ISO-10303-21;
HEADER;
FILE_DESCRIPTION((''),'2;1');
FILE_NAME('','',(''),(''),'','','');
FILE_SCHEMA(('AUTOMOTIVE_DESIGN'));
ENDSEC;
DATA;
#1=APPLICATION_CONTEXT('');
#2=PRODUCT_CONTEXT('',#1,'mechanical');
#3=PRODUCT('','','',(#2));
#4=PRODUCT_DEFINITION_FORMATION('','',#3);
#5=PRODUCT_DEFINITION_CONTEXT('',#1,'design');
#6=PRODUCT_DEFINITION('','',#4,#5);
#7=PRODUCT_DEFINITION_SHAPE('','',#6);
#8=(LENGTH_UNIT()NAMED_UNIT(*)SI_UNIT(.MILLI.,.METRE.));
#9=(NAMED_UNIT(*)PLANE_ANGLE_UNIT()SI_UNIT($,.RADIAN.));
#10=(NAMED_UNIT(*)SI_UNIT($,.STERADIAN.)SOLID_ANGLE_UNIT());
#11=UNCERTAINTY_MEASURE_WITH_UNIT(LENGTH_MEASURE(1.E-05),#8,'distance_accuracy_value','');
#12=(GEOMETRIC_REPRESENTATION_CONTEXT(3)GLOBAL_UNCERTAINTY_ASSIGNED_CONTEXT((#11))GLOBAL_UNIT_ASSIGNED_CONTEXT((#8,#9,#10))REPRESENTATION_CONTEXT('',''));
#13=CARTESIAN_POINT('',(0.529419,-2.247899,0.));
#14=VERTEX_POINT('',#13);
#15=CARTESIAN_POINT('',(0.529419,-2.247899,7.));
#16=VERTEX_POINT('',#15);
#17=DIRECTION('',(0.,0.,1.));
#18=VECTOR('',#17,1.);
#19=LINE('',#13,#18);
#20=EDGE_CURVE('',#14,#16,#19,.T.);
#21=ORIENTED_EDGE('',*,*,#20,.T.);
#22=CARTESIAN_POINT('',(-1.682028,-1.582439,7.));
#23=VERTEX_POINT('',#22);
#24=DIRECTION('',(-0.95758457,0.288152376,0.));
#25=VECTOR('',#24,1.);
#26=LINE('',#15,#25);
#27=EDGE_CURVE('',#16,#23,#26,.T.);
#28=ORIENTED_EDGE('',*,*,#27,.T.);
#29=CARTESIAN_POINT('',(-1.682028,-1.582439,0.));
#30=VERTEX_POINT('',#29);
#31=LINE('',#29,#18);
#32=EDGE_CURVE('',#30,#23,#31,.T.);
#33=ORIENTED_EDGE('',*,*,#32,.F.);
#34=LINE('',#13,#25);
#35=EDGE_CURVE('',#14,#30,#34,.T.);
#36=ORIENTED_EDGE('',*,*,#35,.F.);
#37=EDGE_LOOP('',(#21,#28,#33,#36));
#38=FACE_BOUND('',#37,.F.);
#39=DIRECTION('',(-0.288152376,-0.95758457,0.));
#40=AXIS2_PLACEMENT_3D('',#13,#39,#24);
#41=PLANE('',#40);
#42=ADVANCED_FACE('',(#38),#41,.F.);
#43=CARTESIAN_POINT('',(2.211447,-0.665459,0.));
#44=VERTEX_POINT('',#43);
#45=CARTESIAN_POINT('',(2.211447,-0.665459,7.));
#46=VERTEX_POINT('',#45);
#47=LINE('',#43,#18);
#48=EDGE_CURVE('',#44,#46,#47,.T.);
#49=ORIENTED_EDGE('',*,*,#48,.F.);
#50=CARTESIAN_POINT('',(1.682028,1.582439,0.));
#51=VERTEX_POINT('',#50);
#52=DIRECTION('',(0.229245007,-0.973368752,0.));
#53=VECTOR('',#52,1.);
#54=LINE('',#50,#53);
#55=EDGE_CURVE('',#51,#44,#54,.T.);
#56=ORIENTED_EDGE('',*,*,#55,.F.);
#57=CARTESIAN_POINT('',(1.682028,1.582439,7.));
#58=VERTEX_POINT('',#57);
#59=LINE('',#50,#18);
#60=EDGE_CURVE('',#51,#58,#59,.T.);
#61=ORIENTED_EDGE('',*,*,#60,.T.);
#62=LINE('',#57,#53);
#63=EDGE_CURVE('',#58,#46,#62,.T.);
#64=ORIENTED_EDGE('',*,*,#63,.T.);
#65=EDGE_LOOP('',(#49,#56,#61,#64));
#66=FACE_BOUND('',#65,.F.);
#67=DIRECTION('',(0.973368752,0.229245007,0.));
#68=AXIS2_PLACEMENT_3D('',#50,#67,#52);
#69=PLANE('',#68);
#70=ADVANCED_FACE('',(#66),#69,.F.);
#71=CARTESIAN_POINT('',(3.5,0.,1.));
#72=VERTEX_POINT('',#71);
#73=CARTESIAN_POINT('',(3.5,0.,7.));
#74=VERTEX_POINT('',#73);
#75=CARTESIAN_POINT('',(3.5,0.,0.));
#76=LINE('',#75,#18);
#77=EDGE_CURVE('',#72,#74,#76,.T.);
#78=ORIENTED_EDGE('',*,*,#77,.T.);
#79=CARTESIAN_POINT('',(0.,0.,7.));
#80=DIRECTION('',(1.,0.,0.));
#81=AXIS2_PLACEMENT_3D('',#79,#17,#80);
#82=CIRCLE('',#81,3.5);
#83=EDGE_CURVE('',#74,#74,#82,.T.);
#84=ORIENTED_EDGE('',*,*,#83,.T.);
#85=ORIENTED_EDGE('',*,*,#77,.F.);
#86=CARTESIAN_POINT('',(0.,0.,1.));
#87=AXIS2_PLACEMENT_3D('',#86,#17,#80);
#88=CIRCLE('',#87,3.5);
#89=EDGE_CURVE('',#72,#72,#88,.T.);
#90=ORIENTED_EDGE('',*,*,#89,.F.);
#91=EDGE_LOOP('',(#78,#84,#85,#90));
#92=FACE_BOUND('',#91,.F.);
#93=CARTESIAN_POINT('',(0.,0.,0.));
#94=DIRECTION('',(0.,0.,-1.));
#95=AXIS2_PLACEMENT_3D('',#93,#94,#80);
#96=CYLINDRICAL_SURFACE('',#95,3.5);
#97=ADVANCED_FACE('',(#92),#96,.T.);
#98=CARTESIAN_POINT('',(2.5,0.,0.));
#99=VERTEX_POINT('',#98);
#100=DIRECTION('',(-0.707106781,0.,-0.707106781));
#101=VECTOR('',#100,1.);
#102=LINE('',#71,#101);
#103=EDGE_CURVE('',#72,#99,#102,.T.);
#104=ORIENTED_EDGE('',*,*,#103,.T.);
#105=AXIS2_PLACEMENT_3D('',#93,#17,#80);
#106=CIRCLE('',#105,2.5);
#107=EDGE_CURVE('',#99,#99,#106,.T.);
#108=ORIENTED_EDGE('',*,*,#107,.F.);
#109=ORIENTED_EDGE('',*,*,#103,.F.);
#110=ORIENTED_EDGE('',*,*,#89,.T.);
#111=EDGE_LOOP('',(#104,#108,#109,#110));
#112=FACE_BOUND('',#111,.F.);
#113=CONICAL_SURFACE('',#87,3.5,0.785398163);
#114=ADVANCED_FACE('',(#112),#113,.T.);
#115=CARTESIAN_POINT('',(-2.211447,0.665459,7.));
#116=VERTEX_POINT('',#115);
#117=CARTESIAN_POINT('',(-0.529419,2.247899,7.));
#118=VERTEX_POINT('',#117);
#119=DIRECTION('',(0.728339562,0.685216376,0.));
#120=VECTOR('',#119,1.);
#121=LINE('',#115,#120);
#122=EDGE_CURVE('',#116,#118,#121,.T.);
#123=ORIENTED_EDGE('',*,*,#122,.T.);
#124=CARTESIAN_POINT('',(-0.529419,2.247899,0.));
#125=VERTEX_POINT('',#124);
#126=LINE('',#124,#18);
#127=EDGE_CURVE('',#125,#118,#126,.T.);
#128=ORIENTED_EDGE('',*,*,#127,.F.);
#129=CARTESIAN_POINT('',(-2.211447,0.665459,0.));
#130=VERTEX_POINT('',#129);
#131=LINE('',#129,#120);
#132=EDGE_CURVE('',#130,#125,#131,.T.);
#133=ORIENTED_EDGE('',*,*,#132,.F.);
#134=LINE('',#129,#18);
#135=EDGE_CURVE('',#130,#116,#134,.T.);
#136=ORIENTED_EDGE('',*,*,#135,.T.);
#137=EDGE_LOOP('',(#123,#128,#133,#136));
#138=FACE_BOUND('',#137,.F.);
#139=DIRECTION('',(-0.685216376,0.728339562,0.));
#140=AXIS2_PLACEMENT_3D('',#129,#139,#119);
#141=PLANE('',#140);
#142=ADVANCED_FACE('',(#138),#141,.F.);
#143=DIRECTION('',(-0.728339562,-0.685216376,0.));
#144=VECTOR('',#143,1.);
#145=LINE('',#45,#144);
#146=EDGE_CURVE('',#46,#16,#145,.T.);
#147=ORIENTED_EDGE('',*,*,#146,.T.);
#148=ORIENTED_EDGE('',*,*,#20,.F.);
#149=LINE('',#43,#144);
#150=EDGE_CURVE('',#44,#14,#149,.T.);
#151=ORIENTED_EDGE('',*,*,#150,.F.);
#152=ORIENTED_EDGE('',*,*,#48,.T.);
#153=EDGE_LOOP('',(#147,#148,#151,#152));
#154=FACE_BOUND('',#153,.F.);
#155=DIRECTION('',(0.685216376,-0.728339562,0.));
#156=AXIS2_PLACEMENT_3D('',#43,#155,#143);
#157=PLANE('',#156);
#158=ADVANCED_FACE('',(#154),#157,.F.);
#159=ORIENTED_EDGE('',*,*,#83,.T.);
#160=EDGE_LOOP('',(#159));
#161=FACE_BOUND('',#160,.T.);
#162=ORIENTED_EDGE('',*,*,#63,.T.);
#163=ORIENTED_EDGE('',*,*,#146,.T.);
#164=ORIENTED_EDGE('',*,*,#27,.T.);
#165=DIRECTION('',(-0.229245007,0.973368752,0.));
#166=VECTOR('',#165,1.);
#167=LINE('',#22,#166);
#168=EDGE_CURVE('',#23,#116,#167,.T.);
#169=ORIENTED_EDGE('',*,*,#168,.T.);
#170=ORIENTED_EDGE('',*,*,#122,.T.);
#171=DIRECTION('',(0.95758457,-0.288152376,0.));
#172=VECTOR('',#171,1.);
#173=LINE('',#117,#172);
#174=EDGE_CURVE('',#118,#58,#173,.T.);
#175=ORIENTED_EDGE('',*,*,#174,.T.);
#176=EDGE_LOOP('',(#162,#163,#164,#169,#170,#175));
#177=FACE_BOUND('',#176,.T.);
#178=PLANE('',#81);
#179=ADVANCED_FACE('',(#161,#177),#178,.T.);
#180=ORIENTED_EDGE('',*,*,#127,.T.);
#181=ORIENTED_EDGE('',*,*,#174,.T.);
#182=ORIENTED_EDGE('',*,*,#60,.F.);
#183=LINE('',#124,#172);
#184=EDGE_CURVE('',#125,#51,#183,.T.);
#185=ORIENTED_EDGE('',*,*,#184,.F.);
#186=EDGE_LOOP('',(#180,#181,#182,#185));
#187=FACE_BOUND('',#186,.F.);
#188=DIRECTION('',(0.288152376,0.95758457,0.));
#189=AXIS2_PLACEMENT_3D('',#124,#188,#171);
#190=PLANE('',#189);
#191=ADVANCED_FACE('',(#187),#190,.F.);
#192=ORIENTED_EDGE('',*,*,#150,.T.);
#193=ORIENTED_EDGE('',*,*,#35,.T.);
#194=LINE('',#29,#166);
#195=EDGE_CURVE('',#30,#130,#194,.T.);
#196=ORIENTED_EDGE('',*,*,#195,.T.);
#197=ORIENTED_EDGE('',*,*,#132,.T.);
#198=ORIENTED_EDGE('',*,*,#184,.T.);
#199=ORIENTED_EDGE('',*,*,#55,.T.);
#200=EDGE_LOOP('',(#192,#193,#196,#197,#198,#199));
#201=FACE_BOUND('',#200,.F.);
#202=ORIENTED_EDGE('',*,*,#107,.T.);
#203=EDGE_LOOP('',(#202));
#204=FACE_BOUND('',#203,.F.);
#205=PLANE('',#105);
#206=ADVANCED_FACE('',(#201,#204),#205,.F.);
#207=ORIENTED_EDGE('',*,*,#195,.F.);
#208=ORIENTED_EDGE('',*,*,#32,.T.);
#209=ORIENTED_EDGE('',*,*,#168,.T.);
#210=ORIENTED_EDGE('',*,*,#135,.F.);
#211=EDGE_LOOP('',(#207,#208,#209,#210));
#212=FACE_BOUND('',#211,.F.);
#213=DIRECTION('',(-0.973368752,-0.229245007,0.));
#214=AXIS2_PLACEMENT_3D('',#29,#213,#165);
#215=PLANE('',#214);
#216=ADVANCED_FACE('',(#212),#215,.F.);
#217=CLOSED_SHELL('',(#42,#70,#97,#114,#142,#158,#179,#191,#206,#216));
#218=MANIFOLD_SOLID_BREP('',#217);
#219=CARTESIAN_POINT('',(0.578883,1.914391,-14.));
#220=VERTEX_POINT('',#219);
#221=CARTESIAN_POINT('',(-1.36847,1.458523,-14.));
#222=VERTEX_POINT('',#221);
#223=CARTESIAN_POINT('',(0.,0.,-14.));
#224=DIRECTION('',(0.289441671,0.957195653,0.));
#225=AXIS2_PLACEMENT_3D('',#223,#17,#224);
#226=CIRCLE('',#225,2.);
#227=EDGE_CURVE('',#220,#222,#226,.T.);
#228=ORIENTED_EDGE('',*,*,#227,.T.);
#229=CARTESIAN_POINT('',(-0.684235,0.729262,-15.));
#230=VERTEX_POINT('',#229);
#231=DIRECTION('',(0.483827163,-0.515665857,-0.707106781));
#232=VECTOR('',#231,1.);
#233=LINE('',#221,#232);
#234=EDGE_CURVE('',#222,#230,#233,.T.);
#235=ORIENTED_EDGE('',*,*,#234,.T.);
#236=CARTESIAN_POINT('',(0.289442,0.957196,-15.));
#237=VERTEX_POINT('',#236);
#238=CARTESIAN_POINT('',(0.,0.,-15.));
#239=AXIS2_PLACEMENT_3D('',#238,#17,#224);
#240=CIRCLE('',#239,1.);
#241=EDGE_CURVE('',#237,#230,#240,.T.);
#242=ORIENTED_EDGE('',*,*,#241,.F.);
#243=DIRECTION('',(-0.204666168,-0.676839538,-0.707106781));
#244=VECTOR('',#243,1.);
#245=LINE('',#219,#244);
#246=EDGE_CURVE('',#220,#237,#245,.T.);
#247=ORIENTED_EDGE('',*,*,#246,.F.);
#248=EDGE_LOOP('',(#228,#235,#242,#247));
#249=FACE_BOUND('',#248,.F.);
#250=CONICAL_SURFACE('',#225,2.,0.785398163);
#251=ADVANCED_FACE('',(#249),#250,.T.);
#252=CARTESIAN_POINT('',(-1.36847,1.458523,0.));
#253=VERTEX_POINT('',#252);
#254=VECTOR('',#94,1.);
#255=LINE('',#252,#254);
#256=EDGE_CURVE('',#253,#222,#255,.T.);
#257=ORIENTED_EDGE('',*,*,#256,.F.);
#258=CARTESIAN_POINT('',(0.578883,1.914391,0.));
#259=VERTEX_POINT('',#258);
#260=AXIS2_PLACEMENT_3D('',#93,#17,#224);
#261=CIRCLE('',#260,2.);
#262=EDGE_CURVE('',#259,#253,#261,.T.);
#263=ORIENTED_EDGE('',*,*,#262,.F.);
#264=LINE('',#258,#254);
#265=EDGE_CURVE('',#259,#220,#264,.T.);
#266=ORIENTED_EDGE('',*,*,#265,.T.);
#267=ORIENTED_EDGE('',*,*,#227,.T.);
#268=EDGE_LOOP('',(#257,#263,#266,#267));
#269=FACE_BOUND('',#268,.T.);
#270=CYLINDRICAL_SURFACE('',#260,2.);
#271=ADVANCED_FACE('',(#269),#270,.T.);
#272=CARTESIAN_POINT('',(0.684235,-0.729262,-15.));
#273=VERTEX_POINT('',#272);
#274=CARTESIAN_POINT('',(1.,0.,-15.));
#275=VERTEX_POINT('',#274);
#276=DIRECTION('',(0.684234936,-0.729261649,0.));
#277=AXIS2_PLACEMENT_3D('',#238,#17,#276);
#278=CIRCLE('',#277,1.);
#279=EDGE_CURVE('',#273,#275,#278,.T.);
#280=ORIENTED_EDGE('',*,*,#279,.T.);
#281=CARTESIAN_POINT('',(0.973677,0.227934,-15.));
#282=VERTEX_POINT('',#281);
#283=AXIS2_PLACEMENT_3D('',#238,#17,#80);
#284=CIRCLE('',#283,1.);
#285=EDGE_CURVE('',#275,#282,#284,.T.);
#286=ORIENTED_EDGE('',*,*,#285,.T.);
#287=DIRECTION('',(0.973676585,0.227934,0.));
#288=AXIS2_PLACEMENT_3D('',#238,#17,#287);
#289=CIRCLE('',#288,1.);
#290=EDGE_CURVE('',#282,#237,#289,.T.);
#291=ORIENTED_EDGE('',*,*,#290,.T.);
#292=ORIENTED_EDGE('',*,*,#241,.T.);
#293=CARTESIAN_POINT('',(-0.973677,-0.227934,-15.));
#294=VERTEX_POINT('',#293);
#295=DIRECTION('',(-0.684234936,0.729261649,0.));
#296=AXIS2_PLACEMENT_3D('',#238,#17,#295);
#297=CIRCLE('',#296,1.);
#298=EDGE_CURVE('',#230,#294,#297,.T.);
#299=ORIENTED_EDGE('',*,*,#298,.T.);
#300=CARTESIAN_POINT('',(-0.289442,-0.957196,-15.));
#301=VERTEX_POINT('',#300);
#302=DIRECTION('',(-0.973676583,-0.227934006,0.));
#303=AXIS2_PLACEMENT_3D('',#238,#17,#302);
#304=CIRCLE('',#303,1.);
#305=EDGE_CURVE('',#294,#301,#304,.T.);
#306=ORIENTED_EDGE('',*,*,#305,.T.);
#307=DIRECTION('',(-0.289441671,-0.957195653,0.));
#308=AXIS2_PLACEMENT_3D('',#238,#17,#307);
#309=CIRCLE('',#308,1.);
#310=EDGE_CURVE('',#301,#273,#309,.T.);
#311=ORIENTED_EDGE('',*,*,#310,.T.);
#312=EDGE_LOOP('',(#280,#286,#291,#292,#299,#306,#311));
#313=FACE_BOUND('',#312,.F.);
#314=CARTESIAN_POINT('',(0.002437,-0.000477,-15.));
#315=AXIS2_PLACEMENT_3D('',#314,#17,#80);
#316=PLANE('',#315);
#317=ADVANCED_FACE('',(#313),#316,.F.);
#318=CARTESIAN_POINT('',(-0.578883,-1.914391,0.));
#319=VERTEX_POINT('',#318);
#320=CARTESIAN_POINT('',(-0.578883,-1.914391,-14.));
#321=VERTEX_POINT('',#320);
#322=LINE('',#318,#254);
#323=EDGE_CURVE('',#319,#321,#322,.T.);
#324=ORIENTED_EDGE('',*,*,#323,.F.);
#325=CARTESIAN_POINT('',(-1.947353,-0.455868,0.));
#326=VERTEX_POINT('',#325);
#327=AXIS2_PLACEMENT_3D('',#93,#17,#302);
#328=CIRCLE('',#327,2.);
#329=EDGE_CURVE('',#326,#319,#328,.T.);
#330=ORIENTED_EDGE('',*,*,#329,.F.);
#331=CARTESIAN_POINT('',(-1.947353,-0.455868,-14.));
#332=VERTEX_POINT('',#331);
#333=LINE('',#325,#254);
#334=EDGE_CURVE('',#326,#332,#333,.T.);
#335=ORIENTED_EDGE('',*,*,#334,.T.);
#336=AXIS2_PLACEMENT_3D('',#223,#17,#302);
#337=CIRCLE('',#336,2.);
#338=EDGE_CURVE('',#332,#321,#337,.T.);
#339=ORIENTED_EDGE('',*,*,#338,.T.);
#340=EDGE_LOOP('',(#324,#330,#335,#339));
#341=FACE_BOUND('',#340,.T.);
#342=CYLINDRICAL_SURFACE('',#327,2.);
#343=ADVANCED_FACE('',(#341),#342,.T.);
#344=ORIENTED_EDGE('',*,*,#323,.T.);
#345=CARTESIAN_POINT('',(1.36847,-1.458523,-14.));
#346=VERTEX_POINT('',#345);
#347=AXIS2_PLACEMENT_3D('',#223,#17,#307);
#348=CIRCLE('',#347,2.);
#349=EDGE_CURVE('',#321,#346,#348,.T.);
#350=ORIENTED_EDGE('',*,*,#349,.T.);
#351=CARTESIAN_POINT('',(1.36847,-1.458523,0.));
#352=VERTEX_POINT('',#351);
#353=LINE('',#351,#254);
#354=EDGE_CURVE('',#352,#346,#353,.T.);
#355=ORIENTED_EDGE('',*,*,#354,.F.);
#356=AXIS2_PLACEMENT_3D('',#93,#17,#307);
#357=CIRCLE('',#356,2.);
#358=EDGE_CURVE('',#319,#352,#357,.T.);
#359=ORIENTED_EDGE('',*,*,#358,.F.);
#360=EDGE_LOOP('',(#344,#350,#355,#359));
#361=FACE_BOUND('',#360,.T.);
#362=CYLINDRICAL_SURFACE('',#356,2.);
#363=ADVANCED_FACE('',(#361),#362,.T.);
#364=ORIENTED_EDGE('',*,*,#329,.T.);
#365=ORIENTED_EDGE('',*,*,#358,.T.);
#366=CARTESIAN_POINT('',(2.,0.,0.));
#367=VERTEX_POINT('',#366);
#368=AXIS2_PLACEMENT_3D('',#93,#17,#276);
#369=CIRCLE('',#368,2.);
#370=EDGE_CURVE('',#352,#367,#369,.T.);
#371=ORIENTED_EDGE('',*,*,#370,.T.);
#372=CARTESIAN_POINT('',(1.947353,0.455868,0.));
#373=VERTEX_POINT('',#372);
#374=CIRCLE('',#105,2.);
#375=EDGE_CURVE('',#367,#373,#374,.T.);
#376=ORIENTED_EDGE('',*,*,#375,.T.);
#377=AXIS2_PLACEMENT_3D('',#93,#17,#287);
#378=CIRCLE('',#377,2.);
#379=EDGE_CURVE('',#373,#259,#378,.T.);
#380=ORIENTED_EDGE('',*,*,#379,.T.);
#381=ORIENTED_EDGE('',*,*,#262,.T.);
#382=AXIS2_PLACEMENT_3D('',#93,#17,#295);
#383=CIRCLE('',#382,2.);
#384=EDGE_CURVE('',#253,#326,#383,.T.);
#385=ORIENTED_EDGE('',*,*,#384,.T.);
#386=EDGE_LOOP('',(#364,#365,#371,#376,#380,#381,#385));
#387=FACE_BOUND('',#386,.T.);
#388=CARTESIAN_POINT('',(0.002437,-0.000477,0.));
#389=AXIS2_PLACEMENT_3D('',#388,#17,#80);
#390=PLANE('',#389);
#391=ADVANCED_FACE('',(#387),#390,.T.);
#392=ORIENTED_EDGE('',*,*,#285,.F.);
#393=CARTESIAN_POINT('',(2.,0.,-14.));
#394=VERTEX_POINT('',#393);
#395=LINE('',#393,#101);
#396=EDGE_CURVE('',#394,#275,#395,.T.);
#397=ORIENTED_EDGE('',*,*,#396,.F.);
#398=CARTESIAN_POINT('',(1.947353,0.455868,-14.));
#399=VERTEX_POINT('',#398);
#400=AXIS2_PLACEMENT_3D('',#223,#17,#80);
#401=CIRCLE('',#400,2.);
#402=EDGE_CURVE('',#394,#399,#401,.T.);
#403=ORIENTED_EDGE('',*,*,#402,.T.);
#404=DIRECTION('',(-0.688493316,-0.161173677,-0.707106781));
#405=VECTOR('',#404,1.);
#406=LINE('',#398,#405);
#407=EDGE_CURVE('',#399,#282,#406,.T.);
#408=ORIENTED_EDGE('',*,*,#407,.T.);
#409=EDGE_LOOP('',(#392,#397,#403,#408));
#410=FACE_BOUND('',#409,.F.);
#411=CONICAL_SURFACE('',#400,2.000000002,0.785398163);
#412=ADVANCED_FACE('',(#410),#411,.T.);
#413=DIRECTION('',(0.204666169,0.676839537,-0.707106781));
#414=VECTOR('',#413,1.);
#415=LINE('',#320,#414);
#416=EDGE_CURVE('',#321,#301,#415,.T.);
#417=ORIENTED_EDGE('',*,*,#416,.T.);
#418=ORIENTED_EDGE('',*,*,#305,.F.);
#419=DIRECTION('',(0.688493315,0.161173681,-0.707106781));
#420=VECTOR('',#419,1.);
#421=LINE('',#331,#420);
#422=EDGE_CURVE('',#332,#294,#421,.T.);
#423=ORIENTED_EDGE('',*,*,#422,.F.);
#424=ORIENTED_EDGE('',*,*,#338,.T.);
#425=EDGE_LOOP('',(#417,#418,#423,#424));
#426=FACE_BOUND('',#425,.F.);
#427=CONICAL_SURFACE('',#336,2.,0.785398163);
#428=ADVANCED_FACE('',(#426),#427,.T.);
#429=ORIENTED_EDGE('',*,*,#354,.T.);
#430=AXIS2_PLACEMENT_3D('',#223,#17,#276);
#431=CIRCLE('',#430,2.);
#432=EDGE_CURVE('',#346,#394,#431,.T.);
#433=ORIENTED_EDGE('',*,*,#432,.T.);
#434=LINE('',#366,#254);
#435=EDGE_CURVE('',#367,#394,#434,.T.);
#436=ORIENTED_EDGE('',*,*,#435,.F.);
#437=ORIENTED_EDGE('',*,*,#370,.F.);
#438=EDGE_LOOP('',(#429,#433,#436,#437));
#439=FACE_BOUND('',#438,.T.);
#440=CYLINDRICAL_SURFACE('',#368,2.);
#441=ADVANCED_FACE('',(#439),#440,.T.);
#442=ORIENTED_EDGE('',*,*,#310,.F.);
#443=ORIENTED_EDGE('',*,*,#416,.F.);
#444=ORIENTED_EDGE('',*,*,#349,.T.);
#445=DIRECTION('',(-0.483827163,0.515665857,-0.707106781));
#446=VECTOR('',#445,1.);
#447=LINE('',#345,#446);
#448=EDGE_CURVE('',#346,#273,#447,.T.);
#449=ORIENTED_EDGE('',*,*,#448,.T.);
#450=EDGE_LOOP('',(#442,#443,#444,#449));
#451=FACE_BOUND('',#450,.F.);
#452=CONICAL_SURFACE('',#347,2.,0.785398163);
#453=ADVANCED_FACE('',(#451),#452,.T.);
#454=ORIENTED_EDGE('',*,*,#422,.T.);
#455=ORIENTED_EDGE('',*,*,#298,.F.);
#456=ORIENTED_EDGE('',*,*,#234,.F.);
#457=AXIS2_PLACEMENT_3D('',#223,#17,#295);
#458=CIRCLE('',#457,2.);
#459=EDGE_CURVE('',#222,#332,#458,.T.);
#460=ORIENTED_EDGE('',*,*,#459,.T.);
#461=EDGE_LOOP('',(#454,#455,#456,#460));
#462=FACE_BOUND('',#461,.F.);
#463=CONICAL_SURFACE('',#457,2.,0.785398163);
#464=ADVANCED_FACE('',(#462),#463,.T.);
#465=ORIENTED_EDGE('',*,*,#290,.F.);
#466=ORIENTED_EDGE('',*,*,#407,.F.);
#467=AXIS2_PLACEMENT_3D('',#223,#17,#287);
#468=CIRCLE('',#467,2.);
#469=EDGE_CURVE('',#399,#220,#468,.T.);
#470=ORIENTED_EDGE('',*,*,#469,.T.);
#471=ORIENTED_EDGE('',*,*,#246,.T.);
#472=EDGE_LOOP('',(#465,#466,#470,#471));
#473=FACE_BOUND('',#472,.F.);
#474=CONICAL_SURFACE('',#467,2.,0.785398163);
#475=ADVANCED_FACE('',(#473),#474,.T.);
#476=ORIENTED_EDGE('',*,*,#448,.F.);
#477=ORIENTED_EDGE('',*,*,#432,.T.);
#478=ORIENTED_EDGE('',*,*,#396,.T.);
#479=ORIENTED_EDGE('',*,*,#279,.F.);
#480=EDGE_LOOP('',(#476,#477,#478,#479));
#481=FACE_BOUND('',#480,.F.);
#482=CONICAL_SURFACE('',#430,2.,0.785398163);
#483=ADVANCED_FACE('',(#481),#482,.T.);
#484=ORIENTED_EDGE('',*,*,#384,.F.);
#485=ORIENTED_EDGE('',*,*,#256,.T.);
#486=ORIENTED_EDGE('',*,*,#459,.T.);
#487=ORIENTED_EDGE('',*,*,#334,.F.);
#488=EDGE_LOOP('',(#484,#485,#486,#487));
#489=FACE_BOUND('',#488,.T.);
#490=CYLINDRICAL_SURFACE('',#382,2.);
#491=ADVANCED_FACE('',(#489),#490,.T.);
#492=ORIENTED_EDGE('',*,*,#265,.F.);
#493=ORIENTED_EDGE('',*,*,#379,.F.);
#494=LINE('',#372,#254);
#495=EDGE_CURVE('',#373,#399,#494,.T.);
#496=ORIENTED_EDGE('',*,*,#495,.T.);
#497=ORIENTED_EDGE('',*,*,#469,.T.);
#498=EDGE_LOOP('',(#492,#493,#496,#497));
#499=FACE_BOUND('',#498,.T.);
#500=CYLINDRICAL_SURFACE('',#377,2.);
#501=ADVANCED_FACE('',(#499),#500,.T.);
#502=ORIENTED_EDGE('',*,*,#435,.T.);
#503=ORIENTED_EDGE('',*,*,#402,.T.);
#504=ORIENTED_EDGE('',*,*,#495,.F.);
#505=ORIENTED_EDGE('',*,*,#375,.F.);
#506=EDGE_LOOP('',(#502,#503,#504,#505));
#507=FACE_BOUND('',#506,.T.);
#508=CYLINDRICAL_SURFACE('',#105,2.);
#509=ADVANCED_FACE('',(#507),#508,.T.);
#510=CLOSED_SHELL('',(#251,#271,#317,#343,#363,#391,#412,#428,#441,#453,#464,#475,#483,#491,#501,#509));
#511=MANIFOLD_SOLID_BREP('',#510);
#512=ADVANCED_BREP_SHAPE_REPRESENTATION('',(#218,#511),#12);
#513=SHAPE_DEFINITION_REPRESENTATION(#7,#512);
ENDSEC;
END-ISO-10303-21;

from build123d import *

# Parameters (mm, degrees)
F0_R      = 3.5
F1_DEPTH  = 7
F3_DEPTH  = 15
F4_SIZE   = 1
F4_2_SIZE = 1


with BuildPart() as f1:
    # F0 (on Top) → F1 (new body)
    with BuildSketch(Plane.XY):
        Circle(F0_R)
        Polygon((1.6820281696, 1.5824394364), (2.2114468367, -0.6654594065), (0.5294186671, -2.247898843), (-1.6820281696, -1.5824394364), (-2.2114468367, 0.6654594065), (-0.5294186671, 2.247898843), align=None, mode=Mode.SUBTRACT)
    extrude(amount=F1_DEPTH)

    # F4#2
    f4_2_edges = [f1.edges().sort_by_distance(p)[0] for p in [
        (-3.5, 0, 0),
    ]]
    chamfer(f4_2_edges, length=F4_2_SIZE)


with BuildPart() as f3:
    # F2 (on Top) → F3 (new body)
    with BuildSketch(Plane.XY):
        with BuildLine():
            ThreePointArc((2, 0), (1.9867946973, 0.2294489718), (1.9473531693, 0.4558680005))
            ThreePointArc((1.9473531693, 0.4558680005), (1.4585233241, 1.3684698437), (0.5788833421, 1.914391307))
            ThreePointArc((0.5788833421, 1.914391307), (-0.4558679991, 1.9473531697), (-1.3684698721, 1.4585232974))
            ThreePointArc((-1.3684698721, 1.4585232974), (-1.9143913204, 0.5788832978), (-1.9473531666, -0.4558680121))
            ThreePointArc((-1.9473531666, -0.4558680121), (-1.4585233203, -1.3684698478), (-0.5788833428, -1.9143913068))
            ThreePointArc((-0.5788833428, -1.9143913068), (0.4558679987, -1.9473531697), (1.3684698721, -1.4585232974))
            ThreePointArc((1.3684698721, -1.4585232974), (1.8353391709, -0.7946886987), (2, 0))
        make_face()
    extrude(amount=-F3_DEPTH)

    # F4
    f4_edges = [f3.edges().sort_by_distance(p)[0] for p in [
        (1.947353, 0.455868, -15),
    ]]
    chamfer(f4_edges, length=F4_SIZE)


solid = Compound([f1.part, f3.part])
